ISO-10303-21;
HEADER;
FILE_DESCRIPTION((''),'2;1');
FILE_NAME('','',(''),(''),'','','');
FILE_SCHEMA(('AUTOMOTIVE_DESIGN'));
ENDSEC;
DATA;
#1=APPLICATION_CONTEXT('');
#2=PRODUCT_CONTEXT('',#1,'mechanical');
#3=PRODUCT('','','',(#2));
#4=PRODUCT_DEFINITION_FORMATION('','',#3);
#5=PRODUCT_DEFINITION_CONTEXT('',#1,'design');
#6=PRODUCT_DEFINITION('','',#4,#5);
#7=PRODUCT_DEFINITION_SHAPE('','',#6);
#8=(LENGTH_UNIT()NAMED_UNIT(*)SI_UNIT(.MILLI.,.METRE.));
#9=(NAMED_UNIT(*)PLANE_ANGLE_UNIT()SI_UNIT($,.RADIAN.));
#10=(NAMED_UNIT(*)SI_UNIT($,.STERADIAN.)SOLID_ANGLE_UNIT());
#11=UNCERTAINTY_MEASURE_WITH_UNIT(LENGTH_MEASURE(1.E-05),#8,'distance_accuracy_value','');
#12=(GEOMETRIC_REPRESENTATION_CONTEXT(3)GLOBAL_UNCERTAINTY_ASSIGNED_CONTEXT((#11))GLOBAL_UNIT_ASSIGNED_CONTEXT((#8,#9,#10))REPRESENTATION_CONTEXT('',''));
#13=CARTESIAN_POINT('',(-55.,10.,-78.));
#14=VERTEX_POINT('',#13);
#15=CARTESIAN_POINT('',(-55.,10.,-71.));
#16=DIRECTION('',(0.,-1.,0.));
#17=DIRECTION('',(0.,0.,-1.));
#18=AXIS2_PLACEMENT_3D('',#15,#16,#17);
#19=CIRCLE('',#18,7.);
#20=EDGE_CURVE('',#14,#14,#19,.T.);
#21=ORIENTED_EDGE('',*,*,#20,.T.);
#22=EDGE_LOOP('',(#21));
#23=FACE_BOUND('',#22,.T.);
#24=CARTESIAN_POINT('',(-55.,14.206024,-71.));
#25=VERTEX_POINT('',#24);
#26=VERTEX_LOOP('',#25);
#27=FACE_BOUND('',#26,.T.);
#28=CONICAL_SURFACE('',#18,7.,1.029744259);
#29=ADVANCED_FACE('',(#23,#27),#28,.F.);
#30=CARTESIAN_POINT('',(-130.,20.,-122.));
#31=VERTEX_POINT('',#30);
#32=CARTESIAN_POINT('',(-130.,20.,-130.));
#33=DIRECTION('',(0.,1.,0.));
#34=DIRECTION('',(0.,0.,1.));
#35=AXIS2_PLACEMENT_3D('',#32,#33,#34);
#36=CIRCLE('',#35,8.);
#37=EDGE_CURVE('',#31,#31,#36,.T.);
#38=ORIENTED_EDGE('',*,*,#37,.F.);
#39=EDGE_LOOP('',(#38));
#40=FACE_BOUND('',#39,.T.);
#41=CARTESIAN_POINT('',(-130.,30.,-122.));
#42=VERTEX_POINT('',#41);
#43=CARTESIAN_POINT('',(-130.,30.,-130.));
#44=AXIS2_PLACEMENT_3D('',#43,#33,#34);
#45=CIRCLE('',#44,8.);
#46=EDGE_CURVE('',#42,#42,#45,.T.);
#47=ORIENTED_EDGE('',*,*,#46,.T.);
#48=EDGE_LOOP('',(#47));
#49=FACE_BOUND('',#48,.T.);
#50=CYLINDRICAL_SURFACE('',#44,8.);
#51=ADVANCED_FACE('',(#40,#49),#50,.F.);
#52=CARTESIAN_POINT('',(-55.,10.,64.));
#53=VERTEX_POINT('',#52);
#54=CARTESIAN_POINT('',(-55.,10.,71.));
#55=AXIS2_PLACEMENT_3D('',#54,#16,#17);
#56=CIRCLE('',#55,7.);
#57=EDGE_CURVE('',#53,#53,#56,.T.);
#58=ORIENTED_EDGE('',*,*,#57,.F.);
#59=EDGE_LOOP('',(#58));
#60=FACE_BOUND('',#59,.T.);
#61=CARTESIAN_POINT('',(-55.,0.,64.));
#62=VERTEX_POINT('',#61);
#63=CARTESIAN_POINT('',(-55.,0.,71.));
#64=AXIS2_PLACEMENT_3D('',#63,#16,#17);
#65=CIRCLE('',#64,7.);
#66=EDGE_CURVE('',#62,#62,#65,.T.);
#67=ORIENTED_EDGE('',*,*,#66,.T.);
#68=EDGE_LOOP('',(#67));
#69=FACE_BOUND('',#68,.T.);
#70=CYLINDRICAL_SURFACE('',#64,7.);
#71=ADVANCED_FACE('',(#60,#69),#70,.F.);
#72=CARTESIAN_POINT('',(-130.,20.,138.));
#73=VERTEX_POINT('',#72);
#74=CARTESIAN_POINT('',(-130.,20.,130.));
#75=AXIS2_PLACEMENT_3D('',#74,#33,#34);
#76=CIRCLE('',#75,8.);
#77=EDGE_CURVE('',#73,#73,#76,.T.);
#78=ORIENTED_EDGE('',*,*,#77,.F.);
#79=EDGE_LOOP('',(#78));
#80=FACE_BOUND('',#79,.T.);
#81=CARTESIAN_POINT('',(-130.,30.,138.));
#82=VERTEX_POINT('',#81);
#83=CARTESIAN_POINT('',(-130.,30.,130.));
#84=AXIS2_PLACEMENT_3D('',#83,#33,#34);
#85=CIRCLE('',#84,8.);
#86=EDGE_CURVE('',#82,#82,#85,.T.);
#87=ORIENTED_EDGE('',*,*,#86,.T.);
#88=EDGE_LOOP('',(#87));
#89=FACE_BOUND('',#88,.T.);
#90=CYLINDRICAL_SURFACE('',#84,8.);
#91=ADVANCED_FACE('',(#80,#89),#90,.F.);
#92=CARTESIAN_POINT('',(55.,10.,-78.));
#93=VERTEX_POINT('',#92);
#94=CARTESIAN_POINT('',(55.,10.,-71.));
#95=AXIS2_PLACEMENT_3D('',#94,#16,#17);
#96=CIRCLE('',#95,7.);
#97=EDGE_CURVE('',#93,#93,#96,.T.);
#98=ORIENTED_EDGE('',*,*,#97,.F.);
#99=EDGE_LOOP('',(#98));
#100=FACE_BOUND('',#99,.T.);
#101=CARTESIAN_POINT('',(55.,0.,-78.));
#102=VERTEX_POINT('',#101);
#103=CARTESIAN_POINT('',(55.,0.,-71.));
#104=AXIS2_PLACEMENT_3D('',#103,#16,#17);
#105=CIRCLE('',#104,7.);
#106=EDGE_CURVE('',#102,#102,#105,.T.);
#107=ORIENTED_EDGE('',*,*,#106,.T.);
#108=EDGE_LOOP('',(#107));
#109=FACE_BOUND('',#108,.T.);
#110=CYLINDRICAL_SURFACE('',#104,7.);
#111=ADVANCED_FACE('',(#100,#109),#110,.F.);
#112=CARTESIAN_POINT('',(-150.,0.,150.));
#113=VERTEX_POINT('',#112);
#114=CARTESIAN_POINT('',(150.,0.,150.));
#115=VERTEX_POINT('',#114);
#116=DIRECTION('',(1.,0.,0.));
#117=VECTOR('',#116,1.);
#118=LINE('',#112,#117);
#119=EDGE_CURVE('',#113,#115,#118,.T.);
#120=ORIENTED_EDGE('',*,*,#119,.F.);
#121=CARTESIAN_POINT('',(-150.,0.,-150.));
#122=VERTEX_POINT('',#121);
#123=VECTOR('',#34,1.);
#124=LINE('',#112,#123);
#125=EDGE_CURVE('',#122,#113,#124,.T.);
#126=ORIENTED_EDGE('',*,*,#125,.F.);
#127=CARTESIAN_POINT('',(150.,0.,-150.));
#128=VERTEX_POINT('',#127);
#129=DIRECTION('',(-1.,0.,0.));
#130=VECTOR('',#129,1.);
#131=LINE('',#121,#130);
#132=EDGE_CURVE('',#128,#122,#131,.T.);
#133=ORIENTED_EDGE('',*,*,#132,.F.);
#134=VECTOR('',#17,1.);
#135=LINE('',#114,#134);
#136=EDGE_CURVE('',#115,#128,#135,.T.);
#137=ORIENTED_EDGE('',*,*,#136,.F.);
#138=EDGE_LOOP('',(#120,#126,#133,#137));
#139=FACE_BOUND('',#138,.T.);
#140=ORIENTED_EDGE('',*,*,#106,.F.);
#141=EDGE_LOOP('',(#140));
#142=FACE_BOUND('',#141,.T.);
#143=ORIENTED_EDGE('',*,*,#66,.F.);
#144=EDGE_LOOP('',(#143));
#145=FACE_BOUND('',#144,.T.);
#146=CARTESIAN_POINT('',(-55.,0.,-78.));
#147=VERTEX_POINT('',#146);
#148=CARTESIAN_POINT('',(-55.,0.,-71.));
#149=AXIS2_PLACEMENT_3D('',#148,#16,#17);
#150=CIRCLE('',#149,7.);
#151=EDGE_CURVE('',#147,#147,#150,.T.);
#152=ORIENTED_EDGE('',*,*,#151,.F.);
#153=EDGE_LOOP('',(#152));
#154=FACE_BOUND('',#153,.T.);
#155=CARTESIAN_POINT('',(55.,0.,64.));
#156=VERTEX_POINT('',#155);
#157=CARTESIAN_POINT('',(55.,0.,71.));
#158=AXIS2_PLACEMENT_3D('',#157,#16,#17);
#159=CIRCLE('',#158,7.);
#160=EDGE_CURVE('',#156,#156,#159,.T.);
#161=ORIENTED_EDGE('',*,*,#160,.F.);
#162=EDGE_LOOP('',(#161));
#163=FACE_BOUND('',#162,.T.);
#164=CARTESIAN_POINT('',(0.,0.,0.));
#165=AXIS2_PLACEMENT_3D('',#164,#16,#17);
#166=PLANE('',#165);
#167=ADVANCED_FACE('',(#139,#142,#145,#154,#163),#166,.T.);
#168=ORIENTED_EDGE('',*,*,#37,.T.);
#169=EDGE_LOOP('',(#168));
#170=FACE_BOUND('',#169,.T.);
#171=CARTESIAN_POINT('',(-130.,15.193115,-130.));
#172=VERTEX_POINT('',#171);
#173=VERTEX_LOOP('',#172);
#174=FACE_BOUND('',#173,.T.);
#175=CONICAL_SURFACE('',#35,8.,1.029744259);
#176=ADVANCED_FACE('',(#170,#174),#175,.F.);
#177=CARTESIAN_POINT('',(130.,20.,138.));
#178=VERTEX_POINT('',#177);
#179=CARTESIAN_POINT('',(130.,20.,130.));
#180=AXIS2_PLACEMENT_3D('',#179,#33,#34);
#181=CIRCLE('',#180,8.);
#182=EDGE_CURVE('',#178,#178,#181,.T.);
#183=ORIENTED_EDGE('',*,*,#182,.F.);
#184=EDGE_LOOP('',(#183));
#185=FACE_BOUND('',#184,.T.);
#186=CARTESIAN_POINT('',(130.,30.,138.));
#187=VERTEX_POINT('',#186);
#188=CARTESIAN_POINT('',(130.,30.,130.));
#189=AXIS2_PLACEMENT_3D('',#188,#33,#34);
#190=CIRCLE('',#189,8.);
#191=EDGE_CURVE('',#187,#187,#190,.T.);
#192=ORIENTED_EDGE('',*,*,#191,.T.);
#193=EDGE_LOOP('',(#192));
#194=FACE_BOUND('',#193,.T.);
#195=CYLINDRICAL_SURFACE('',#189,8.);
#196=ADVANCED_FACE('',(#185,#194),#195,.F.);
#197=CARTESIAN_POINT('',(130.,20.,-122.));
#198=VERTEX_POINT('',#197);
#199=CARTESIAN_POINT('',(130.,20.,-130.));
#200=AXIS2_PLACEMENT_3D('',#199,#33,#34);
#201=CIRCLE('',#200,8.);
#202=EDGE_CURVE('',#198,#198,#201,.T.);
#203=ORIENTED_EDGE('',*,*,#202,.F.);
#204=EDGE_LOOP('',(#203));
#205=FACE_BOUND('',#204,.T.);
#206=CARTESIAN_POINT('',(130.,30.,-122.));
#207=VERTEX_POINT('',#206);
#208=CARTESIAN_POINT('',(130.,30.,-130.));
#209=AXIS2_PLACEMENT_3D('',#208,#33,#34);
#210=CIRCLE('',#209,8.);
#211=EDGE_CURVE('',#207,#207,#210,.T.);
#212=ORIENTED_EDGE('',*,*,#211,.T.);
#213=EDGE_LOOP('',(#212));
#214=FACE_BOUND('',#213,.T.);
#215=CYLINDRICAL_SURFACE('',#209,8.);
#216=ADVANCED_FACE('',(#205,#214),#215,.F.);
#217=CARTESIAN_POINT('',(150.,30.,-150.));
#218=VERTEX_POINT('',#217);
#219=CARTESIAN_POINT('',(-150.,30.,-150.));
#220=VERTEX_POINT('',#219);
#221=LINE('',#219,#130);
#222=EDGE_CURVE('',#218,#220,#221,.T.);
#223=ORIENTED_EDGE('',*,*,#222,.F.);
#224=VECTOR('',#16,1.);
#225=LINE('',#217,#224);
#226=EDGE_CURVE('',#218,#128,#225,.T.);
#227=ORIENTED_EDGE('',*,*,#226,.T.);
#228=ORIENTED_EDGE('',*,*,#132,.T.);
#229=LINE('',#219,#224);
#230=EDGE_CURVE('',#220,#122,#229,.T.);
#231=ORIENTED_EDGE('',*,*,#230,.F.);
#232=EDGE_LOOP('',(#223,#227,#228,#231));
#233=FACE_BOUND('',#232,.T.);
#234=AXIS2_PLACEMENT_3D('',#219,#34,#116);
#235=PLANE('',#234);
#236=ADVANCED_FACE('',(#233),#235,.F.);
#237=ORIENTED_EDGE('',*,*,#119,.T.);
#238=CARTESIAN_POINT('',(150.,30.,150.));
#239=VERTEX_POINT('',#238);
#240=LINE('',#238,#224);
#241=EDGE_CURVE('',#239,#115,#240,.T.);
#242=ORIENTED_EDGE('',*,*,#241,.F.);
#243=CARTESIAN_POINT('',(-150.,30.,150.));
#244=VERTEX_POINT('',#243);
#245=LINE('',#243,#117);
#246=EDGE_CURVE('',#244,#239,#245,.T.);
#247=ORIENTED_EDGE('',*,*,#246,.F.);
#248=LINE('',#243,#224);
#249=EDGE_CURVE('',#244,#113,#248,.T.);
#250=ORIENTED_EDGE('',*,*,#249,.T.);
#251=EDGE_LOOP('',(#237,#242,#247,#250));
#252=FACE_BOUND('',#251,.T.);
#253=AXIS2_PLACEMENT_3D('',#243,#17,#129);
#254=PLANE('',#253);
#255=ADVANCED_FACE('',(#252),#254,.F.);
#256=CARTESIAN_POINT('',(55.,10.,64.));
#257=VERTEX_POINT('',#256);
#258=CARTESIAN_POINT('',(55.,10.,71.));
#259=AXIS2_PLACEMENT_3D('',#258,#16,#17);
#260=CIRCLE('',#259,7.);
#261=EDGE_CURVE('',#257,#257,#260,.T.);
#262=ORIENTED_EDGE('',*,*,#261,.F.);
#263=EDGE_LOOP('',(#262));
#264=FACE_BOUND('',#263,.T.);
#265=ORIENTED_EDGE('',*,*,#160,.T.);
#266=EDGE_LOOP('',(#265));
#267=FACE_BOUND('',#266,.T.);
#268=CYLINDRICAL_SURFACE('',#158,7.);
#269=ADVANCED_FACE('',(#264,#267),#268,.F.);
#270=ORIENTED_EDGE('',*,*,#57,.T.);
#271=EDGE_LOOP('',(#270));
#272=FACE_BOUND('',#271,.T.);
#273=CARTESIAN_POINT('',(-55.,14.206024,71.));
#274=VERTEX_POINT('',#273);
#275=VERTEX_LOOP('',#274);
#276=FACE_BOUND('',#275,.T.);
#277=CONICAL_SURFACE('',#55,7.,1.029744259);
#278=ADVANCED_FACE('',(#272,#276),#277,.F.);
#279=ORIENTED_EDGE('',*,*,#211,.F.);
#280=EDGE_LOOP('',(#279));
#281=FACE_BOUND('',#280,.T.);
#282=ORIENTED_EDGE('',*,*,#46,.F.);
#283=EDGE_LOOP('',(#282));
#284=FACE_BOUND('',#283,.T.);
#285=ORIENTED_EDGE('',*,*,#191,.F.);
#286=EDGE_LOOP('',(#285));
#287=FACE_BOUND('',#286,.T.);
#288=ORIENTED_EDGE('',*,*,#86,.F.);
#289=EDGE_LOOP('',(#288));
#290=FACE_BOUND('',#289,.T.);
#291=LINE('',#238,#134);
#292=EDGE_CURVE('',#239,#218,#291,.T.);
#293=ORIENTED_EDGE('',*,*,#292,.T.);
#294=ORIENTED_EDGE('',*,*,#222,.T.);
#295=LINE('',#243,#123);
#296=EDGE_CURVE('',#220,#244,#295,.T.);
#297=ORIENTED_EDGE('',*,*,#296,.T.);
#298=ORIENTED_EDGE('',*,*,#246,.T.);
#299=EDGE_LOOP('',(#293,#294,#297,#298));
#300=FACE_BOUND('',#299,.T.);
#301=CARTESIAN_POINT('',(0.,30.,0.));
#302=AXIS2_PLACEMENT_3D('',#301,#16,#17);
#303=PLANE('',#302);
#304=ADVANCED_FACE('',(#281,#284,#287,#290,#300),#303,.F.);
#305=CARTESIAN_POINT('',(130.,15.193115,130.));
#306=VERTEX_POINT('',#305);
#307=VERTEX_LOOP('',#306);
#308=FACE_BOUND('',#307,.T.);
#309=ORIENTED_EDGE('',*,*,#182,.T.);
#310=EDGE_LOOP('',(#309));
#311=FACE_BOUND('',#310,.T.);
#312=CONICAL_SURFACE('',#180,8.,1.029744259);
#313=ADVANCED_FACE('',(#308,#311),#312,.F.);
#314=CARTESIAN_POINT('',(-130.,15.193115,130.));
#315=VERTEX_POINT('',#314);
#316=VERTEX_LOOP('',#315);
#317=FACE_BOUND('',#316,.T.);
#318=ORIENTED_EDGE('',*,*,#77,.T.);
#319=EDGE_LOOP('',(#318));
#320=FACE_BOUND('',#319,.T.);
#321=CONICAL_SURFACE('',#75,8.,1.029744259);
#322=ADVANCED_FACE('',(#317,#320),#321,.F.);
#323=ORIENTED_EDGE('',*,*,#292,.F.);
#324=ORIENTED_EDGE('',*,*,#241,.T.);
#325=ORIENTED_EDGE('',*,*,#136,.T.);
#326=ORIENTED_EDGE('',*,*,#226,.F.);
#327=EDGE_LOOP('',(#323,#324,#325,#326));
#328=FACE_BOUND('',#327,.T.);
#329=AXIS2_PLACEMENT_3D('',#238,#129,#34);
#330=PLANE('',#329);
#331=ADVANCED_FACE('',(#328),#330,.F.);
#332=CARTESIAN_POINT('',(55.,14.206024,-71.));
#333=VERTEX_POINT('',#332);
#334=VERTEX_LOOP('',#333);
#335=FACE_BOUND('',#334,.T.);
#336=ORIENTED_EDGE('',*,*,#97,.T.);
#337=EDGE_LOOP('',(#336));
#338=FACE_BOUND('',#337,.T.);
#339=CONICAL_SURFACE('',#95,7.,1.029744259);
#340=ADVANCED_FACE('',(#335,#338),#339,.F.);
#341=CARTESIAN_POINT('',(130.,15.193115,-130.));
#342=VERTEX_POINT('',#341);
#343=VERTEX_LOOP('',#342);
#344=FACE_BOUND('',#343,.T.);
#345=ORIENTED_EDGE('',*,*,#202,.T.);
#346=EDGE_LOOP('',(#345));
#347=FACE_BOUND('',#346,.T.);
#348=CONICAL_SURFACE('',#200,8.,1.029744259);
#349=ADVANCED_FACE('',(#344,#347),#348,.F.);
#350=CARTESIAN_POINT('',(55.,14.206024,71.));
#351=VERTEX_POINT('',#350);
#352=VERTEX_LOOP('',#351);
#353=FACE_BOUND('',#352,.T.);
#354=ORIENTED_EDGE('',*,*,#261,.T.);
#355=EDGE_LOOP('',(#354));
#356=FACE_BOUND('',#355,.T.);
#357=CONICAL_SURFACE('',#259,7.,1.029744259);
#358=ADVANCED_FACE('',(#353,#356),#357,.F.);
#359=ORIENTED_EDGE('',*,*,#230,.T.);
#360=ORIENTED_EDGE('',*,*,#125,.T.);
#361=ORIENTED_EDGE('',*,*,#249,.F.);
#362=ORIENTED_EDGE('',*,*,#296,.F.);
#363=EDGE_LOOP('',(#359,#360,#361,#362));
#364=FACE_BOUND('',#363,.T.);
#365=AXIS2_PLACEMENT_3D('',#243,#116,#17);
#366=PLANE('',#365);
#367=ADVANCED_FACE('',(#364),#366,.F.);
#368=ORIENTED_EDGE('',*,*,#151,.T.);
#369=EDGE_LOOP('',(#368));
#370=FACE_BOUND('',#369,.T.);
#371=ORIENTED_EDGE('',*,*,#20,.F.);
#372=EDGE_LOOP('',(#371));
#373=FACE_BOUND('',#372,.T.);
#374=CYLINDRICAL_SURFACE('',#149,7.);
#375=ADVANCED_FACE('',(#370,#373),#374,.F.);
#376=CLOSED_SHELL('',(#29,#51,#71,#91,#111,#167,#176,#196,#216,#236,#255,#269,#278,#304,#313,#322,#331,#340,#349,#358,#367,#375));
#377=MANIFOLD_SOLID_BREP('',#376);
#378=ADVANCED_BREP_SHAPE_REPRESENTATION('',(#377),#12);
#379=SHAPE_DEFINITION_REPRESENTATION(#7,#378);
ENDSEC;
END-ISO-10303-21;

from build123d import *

# Parameters (mm, degrees)
ESBO_O1_W                      = 300
ESBO_O1_H                      = 300
RESSALTO_EXTRUS_O1_DEPTH       = 30
FURO_ROSCADO_DE_M16X2_01_D     = 14
FURO_ROSCADO_DE_M16X2_01_DEPTH = 10
FURO_ROSCADO_DE_M16X2_01_TIP   = 4.206024333
FURO_ROSCADO_DE_M18X2_02_D     = 16
FURO_ROSCADO_DE_M18X2_02_DEPTH = 10
FURO_ROSCADO_DE_M18X2_02_TIP   = 4.806884952


with BuildPart() as part:
    # Esboço1 → Ressalto-extrusão1 (new body)
    with BuildSketch(Plane(origin=(0, 0, 0), x_dir=(1, 0, 0), z_dir=(0, 1, 0))):
        Rectangle(ESBO_O1_W, ESBO_O1_H)
    extrude(amount=RESSALTO_EXTRUS_O1_DEPTH)

    # Furo roscado de M16x2.01
    with Locations(Plane(origin=(0, 0, 0), x_dir=(-1, 0, 0), z_dir=(0, -1, 0))):
        with Locations((55, -71), (-55, -71), (-55, 71), (55, 71)):
            Hole(FURO_ROSCADO_DE_M16X2_01_D / 2, depth=FURO_ROSCADO_DE_M16X2_01_DEPTH)
            with Locations((0, 0, -(FURO_ROSCADO_DE_M16X2_01_DEPTH + FURO_ROSCADO_DE_M16X2_01_TIP / 2))):  # 118° drill point
                Cone(0, FURO_ROSCADO_DE_M16X2_01_D / 2, FURO_ROSCADO_DE_M16X2_01_TIP, mode=Mode.SUBTRACT)

    # Furo roscado de M18x2.02
    with Locations(Plane(origin=(0, 30, 0), x_dir=(1, 0, 0), z_dir=(0, 1, 0))):
        with Locations((-130, 130), (130, 130), (130, -130), (-130, -130)):
            Hole(FURO_ROSCADO_DE_M18X2_02_D / 2, depth=FURO_ROSCADO_DE_M18X2_02_DEPTH)
            with Locations((0, 0, -(FURO_ROSCADO_DE_M18X2_02_DEPTH + FURO_ROSCADO_DE_M18X2_02_TIP / 2))):  # 118° drill point
                Cone(0, FURO_ROSCADO_DE_M18X2_02_D / 2, FURO_ROSCADO_DE_M18X2_02_TIP, mode=Mode.SUBTRACT)


solid = part.part
